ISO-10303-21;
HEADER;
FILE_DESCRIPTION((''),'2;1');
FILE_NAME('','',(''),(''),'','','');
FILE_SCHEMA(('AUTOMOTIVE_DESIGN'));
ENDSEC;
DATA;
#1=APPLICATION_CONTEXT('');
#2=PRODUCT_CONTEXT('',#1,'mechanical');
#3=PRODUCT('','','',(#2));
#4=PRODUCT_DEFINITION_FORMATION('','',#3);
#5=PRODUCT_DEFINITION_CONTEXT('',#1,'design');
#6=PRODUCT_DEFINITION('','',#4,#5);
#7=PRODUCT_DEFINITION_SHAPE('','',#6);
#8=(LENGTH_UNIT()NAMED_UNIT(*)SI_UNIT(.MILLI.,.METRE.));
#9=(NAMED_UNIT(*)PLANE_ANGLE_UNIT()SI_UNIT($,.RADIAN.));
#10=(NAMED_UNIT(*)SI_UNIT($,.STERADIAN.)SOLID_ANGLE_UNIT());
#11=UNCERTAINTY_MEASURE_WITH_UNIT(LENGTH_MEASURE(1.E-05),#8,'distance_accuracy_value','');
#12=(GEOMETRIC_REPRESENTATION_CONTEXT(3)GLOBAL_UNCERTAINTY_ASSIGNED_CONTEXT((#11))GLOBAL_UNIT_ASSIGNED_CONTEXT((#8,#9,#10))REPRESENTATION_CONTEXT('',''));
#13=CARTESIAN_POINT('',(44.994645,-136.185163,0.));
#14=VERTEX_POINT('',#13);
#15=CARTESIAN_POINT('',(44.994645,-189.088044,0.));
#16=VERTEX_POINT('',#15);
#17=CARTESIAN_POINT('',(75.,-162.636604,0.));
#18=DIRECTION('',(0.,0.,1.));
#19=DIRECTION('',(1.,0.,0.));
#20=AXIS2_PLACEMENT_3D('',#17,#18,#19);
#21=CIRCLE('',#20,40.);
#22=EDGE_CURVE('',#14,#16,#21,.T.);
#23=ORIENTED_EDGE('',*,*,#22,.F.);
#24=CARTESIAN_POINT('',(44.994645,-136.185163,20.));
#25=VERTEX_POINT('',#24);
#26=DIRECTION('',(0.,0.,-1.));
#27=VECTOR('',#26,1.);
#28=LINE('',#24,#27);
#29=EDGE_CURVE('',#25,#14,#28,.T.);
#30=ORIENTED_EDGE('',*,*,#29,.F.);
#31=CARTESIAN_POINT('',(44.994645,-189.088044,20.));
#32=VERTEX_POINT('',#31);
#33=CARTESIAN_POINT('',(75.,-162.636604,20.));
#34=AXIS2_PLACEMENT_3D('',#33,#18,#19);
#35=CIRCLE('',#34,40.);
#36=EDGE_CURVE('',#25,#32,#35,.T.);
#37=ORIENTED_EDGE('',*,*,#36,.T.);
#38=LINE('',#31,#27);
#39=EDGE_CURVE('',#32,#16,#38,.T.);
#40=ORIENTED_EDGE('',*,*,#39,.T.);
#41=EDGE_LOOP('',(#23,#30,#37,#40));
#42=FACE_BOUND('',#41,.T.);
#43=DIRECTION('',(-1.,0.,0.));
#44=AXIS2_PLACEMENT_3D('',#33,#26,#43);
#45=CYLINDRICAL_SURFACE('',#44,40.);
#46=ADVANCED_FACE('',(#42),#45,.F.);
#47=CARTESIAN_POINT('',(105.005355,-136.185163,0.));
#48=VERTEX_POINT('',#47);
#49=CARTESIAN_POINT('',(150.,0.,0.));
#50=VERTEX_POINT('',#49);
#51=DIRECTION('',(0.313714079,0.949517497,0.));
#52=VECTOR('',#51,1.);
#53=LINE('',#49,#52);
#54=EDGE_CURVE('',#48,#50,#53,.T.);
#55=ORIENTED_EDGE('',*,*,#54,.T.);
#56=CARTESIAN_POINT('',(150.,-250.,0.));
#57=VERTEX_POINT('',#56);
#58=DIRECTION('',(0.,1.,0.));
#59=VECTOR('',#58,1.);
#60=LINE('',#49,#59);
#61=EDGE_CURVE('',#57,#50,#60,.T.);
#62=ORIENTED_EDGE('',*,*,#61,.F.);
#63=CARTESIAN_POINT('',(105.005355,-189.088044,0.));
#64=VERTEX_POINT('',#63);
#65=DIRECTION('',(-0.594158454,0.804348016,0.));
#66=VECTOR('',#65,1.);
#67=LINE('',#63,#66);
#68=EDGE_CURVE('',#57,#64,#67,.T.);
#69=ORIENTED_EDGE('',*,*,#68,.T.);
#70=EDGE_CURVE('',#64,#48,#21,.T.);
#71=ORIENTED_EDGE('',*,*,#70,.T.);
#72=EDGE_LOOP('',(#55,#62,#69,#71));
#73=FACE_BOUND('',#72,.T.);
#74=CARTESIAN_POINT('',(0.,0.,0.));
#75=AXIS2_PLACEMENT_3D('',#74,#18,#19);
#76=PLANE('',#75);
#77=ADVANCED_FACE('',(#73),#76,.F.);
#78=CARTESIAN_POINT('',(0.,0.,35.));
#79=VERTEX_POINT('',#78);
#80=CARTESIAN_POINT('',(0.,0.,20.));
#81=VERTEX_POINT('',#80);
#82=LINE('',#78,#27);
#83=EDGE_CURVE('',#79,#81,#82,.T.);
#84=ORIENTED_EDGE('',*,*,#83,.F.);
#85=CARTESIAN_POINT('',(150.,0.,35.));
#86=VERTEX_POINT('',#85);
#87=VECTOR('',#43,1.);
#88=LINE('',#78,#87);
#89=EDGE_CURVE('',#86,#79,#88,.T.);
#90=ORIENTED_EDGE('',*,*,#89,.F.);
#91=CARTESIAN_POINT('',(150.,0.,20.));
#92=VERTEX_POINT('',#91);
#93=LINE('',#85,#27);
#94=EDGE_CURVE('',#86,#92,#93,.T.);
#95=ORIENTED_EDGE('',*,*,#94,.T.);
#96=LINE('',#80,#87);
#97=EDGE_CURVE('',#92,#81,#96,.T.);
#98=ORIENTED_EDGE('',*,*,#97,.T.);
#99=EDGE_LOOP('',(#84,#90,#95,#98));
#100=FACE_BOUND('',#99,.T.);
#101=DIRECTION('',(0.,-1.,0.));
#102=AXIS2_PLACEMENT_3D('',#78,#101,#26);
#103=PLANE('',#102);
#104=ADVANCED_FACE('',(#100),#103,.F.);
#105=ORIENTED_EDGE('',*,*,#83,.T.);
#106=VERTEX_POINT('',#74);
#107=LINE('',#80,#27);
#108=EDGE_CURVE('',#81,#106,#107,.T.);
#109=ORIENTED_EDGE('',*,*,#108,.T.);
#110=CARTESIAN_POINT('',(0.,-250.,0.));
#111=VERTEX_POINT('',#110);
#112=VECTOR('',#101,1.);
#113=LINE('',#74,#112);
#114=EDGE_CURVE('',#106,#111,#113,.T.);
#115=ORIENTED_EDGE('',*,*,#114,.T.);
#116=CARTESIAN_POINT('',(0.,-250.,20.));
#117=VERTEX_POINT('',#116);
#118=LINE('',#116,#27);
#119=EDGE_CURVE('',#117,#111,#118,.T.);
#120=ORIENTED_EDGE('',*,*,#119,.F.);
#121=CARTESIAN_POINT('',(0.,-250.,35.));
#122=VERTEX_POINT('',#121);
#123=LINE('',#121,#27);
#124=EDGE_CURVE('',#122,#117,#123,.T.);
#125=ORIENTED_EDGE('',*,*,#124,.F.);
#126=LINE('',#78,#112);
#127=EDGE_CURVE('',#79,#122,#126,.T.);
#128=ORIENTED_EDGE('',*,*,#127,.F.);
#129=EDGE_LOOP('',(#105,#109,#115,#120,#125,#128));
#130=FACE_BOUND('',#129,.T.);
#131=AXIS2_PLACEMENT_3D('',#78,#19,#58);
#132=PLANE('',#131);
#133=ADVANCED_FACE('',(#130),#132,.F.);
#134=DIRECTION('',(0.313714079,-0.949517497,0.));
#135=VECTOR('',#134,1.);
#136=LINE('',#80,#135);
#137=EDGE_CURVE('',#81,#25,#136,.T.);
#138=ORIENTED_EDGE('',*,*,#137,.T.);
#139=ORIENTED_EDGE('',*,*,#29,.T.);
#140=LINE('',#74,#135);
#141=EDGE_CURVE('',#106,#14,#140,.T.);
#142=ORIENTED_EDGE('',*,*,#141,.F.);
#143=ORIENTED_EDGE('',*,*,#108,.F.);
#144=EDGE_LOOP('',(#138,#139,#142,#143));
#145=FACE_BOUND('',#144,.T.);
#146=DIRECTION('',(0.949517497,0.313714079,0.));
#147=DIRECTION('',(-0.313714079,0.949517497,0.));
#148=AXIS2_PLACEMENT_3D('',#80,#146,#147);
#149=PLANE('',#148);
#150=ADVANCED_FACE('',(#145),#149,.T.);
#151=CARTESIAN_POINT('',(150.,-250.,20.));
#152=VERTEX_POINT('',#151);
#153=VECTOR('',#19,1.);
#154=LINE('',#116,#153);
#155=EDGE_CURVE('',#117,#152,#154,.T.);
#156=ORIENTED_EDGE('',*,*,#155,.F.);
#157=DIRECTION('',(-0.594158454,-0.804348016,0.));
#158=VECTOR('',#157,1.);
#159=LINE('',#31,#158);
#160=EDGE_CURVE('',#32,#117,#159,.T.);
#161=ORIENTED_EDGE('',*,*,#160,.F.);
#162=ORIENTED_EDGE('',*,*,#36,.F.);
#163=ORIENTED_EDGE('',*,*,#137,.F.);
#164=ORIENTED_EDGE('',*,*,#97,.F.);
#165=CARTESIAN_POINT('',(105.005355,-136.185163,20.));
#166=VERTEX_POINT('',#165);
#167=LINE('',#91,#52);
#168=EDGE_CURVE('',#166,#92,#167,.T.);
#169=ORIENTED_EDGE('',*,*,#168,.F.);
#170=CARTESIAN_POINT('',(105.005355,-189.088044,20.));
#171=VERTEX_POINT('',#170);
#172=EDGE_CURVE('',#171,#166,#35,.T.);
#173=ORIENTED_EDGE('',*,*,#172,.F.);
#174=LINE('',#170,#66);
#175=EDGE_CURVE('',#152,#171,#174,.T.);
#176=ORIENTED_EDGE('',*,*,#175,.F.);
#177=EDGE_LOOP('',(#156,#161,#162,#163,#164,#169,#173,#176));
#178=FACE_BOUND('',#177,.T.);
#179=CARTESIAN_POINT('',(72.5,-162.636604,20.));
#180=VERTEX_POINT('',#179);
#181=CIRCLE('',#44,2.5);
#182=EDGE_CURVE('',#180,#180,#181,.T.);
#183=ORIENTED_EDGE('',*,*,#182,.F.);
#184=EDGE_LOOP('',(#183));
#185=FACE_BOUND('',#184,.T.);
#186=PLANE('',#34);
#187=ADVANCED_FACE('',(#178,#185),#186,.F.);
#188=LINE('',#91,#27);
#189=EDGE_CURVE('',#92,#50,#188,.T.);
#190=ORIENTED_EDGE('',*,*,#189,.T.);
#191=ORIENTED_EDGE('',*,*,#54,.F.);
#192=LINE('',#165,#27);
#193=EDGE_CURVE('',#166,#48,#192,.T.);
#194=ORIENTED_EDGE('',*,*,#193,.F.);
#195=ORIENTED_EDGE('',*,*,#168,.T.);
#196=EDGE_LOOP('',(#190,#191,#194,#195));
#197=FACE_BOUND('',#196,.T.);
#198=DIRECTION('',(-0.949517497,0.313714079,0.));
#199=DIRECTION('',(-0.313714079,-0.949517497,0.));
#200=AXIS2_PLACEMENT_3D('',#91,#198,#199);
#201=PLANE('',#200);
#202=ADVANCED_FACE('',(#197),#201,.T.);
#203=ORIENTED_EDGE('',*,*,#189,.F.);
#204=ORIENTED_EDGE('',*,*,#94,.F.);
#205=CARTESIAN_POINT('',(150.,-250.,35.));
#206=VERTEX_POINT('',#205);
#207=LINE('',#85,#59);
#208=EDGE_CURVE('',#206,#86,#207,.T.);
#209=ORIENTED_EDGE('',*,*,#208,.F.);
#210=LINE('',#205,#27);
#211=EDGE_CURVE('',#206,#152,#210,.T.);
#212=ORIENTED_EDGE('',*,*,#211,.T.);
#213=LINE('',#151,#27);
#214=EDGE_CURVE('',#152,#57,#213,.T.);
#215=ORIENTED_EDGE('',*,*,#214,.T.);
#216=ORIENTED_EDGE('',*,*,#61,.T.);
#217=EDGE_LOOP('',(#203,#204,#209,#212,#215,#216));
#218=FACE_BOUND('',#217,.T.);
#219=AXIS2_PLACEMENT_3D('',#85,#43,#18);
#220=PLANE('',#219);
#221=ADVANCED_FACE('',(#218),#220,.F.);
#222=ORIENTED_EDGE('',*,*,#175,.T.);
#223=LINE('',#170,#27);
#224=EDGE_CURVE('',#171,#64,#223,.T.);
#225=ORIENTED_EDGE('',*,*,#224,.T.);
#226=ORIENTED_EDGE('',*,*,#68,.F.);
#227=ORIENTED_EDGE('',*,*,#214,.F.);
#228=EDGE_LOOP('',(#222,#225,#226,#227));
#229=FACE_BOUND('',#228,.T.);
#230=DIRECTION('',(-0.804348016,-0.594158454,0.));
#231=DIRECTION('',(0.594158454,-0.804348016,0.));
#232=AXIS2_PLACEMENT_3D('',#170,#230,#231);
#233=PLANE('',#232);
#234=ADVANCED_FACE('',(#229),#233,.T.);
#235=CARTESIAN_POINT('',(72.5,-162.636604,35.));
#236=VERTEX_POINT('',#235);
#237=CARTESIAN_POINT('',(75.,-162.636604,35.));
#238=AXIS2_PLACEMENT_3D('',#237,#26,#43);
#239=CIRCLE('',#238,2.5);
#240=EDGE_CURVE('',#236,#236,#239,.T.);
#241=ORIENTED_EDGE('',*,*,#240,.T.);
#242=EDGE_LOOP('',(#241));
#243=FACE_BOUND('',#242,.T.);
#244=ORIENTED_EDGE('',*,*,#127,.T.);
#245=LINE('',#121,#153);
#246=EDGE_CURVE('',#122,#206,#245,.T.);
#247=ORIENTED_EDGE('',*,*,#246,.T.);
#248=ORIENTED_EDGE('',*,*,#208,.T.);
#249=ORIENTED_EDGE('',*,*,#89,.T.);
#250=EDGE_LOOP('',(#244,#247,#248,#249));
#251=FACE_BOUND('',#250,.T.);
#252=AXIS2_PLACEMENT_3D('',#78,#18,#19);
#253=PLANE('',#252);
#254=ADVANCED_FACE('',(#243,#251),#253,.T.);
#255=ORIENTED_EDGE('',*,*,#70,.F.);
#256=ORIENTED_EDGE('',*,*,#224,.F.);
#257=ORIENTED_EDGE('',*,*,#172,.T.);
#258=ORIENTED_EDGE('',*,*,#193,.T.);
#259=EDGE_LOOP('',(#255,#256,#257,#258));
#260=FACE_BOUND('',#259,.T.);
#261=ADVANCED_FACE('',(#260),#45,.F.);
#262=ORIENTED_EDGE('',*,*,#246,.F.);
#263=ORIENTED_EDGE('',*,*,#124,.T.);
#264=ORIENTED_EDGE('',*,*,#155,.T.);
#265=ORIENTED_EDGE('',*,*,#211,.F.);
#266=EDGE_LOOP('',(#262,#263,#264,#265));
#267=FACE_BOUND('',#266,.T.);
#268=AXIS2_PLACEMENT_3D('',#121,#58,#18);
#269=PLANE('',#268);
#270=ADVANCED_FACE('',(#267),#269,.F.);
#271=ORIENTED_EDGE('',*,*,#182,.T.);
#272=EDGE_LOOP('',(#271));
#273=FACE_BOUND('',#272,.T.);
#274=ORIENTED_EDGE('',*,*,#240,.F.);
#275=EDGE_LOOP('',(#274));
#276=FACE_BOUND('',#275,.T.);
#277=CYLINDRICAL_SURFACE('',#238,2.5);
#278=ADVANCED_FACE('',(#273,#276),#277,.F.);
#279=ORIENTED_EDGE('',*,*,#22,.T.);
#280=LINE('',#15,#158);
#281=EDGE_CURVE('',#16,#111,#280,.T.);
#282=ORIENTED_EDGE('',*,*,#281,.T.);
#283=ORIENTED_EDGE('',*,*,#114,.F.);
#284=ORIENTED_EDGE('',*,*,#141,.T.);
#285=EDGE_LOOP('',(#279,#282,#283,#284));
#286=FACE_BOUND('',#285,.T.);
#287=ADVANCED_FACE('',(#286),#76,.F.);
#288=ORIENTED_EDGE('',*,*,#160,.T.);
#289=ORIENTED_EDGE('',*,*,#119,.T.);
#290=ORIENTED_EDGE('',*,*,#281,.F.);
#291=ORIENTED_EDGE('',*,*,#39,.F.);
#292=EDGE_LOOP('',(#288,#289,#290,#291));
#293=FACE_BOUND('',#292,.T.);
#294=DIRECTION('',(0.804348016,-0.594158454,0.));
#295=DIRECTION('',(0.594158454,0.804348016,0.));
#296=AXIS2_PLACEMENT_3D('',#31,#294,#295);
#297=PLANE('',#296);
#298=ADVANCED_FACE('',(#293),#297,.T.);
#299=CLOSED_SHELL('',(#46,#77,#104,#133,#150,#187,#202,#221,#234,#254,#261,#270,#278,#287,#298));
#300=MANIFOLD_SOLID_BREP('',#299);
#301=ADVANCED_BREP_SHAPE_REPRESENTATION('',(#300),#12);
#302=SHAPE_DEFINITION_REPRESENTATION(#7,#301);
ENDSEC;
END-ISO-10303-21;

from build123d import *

# Parameters (mm, degrees)
SKETCH_1_W          = 150
SKETCH_1_H          = 250
EXTRUDE_1_DEPTH     = 35
CUT_EXTRUDE_1_DEPTH = 20
SKETCH_3_R          = 2.5
CUT_EXTRUDE_2_DEPTH = 293.232783924


with BuildPart() as part:
    # Эскиз1 → Бобышка-Вытянуть1 (new body)
    with BuildSketch(Plane.XY):
        with Locations((75, -125)):
            Rectangle(SKETCH_1_W, SKETCH_1_H)
    extrude(amount=EXTRUDE_1_DEPTH)

    # Эскиз2 → Вырез-Вытянуть1 (cut)
    with BuildSketch(Plane.XY):
        with BuildLine():
            Line((0, 0), (44.994645372, -136.185163226))
            ThreePointArc((44.994645372, -136.185163226), (35, -162.636603521), (44.994645372, -189.088043815))
            Line((44.994645372, -189.088043815), (0, -250))
            Line((0, -250), (150, -250))
            Line((150, -250), (105.005354628, -189.088043815))
            ThreePointArc((105.005354628, -189.088043815), (115, -162.636603521), (105.005354628, -136.185163226))
            Line((105.005354628, -136.185163226), (150, 0))
            Line((150, 0), (0, 0))
        make_face()
    extrude(amount=CUT_EXTRUDE_1_DEPTH, mode=Mode.SUBTRACT)

    # Эскиз3 → Вырез-Вытянуть2 (cut, through all)
    with BuildSketch(Plane(origin=(0, 0, 20), x_dir=(-1, 0, 0), z_dir=(0, 0, -1))):
        with Locations((-75, -162.636603521)):
            Circle(SKETCH_3_R)
    extrude(amount=-CUT_EXTRUDE_2_DEPTH, mode=Mode.SUBTRACT)


solid = part.part
